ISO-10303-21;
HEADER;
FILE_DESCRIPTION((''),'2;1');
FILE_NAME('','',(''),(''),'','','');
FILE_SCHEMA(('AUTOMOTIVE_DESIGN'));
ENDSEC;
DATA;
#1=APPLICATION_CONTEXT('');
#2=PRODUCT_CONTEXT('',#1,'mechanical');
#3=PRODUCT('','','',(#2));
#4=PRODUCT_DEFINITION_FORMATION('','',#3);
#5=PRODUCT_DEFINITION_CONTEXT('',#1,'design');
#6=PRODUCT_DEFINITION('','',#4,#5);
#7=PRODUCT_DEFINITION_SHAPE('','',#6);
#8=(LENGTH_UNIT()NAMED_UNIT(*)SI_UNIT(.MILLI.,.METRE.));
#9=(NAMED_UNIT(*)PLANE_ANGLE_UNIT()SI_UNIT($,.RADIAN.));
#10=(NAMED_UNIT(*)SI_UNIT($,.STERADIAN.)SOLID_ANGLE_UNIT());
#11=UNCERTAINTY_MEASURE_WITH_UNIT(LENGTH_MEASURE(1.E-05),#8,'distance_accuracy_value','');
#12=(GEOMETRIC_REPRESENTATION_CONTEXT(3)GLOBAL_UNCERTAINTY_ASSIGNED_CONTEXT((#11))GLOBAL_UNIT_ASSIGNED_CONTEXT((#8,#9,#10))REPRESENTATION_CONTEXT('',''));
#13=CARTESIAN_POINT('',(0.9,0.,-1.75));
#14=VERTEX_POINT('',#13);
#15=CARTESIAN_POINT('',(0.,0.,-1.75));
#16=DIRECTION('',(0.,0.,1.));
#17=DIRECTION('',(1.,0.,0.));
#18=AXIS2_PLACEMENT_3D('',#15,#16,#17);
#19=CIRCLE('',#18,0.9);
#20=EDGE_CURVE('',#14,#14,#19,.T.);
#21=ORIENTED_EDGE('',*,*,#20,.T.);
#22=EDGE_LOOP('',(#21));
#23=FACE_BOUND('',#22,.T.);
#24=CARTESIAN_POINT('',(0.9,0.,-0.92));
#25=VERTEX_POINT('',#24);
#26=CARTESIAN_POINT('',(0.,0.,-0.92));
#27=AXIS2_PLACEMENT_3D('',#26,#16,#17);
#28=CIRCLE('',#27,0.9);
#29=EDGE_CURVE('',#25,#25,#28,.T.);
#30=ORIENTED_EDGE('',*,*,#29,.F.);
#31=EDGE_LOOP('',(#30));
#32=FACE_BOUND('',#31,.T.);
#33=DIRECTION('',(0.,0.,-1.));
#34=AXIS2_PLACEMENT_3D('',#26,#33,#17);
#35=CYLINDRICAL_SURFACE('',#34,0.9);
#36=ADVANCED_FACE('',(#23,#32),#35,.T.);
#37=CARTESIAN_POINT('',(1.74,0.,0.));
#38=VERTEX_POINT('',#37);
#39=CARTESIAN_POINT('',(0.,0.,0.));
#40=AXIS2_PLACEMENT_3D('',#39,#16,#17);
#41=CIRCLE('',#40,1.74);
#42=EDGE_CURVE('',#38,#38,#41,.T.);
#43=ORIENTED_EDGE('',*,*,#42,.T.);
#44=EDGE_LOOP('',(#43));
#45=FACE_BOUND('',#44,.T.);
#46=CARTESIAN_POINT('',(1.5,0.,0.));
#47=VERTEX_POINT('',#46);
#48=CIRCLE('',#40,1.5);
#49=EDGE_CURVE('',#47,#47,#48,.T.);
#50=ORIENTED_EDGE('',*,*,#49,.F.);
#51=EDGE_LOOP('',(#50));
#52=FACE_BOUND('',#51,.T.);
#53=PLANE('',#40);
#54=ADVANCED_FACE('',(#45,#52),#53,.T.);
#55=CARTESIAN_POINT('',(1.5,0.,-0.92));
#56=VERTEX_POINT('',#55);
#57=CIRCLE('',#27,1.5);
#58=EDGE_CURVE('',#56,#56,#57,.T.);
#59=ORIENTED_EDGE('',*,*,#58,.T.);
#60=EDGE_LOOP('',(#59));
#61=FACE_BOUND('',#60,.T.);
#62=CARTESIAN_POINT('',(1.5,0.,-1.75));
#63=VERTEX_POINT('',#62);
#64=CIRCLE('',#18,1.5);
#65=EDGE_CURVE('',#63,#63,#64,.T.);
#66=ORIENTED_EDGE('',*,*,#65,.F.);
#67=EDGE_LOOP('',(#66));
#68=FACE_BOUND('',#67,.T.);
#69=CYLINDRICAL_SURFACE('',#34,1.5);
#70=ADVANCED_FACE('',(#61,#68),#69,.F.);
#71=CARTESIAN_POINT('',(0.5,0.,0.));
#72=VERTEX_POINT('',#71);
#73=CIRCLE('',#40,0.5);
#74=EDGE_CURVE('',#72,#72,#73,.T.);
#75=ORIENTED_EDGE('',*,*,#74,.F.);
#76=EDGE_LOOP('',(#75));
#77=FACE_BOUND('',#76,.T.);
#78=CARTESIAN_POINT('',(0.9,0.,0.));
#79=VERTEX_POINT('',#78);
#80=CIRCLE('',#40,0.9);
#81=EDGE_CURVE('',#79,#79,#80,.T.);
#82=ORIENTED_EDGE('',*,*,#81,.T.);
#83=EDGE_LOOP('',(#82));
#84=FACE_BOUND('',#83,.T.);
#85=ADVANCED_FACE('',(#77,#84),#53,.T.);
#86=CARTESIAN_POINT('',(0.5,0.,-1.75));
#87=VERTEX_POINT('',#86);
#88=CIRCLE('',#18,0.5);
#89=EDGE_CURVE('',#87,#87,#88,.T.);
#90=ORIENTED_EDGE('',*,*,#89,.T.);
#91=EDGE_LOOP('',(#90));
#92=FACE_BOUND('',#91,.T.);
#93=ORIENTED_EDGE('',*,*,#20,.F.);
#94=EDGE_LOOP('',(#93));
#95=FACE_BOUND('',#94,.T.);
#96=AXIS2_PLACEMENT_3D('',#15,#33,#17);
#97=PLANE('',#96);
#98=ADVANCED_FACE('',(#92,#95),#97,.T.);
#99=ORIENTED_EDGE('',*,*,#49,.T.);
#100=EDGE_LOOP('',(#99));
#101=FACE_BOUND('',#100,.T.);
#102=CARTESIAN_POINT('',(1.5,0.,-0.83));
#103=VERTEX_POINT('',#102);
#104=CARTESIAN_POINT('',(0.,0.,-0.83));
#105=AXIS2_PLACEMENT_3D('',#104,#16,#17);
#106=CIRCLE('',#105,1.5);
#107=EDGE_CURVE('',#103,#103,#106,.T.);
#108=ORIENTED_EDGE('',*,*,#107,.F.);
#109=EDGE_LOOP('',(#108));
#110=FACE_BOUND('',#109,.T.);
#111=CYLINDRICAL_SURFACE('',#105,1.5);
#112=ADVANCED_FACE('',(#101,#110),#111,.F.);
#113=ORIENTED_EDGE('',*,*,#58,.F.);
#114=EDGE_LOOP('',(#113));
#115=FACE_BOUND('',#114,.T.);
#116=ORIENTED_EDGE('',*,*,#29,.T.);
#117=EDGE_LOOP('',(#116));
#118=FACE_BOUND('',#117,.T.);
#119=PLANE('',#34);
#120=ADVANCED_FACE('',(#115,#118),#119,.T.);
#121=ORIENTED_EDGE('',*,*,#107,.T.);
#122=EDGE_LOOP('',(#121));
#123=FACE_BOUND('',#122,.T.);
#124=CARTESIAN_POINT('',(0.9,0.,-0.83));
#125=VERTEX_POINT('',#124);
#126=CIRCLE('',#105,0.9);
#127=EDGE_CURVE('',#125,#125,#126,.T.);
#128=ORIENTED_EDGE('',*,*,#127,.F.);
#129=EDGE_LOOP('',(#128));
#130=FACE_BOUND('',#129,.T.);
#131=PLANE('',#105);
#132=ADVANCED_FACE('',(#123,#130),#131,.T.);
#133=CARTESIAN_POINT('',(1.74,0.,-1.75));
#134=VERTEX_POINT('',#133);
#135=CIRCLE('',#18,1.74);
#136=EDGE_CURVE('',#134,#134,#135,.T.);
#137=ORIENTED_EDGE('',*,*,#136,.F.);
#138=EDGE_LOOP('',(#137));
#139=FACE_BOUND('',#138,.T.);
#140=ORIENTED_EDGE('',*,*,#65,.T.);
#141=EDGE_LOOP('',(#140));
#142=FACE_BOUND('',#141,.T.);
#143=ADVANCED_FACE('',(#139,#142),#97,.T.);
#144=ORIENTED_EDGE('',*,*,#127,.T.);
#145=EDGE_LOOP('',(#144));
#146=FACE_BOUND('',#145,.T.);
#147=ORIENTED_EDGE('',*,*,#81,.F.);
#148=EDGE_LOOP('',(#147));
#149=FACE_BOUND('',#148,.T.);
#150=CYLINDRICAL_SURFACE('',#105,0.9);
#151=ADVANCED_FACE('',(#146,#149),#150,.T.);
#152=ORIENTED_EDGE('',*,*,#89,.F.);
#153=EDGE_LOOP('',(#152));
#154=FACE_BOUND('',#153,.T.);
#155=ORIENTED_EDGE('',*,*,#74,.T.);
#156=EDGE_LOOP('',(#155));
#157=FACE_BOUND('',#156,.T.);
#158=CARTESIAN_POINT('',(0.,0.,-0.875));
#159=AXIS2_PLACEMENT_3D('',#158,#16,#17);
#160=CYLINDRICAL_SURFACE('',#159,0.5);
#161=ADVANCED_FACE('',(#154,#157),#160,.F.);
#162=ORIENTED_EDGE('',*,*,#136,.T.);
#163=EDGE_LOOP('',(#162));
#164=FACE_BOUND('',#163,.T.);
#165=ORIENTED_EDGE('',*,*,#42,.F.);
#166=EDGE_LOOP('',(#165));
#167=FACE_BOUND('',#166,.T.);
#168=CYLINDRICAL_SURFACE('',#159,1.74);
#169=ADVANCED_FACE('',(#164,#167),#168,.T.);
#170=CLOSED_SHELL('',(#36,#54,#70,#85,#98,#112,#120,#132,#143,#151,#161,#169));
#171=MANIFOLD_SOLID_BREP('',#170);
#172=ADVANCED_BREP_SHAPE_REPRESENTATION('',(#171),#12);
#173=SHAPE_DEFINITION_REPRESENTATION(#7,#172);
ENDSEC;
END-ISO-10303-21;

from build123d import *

# Parameters (mm, degrees)
SKETCH1_R           = 1.74
BOSS_EXTRUDE1_DEPTH = 0.875
SKETCH2_R           = 0.5
CUT_EXTRUDE1_DEPTH  = 1.875
SKETCH3_R           = 1.5
SKETCH3_R_2         = 0.9
CUT_EXTRUDE2_DEPTH  = 0.83


with BuildPart() as part:
    # Sketch1 → Boss-Extrude1 (new body)
    with BuildSketch(Plane.XY):
        Circle(SKETCH1_R)
    extrude(amount=-BOSS_EXTRUDE1_DEPTH)

    # Sketch2 → Cut-Extrude1 (cut, through all)
    with BuildSketch(Plane.XY):
        Circle(SKETCH2_R)
    extrude(amount=-CUT_EXTRUDE1_DEPTH, mode=Mode.SUBTRACT)

    # Sketch3 → Cut-Extrude2 (cut)
    with BuildSketch(Plane.XY):
        Circle(SKETCH3_R)
        Circle(SKETCH3_R_2, mode=Mode.SUBTRACT)
    extrude(amount=-CUT_EXTRUDE2_DEPTH, mode=Mode.SUBTRACT)

    # Mirror3: part across plane


with BuildPart() as part_1:
    add(part.part)
    add(part.part.mirror(Plane.XY.offset(-0.875)))


solid = part_1.part
